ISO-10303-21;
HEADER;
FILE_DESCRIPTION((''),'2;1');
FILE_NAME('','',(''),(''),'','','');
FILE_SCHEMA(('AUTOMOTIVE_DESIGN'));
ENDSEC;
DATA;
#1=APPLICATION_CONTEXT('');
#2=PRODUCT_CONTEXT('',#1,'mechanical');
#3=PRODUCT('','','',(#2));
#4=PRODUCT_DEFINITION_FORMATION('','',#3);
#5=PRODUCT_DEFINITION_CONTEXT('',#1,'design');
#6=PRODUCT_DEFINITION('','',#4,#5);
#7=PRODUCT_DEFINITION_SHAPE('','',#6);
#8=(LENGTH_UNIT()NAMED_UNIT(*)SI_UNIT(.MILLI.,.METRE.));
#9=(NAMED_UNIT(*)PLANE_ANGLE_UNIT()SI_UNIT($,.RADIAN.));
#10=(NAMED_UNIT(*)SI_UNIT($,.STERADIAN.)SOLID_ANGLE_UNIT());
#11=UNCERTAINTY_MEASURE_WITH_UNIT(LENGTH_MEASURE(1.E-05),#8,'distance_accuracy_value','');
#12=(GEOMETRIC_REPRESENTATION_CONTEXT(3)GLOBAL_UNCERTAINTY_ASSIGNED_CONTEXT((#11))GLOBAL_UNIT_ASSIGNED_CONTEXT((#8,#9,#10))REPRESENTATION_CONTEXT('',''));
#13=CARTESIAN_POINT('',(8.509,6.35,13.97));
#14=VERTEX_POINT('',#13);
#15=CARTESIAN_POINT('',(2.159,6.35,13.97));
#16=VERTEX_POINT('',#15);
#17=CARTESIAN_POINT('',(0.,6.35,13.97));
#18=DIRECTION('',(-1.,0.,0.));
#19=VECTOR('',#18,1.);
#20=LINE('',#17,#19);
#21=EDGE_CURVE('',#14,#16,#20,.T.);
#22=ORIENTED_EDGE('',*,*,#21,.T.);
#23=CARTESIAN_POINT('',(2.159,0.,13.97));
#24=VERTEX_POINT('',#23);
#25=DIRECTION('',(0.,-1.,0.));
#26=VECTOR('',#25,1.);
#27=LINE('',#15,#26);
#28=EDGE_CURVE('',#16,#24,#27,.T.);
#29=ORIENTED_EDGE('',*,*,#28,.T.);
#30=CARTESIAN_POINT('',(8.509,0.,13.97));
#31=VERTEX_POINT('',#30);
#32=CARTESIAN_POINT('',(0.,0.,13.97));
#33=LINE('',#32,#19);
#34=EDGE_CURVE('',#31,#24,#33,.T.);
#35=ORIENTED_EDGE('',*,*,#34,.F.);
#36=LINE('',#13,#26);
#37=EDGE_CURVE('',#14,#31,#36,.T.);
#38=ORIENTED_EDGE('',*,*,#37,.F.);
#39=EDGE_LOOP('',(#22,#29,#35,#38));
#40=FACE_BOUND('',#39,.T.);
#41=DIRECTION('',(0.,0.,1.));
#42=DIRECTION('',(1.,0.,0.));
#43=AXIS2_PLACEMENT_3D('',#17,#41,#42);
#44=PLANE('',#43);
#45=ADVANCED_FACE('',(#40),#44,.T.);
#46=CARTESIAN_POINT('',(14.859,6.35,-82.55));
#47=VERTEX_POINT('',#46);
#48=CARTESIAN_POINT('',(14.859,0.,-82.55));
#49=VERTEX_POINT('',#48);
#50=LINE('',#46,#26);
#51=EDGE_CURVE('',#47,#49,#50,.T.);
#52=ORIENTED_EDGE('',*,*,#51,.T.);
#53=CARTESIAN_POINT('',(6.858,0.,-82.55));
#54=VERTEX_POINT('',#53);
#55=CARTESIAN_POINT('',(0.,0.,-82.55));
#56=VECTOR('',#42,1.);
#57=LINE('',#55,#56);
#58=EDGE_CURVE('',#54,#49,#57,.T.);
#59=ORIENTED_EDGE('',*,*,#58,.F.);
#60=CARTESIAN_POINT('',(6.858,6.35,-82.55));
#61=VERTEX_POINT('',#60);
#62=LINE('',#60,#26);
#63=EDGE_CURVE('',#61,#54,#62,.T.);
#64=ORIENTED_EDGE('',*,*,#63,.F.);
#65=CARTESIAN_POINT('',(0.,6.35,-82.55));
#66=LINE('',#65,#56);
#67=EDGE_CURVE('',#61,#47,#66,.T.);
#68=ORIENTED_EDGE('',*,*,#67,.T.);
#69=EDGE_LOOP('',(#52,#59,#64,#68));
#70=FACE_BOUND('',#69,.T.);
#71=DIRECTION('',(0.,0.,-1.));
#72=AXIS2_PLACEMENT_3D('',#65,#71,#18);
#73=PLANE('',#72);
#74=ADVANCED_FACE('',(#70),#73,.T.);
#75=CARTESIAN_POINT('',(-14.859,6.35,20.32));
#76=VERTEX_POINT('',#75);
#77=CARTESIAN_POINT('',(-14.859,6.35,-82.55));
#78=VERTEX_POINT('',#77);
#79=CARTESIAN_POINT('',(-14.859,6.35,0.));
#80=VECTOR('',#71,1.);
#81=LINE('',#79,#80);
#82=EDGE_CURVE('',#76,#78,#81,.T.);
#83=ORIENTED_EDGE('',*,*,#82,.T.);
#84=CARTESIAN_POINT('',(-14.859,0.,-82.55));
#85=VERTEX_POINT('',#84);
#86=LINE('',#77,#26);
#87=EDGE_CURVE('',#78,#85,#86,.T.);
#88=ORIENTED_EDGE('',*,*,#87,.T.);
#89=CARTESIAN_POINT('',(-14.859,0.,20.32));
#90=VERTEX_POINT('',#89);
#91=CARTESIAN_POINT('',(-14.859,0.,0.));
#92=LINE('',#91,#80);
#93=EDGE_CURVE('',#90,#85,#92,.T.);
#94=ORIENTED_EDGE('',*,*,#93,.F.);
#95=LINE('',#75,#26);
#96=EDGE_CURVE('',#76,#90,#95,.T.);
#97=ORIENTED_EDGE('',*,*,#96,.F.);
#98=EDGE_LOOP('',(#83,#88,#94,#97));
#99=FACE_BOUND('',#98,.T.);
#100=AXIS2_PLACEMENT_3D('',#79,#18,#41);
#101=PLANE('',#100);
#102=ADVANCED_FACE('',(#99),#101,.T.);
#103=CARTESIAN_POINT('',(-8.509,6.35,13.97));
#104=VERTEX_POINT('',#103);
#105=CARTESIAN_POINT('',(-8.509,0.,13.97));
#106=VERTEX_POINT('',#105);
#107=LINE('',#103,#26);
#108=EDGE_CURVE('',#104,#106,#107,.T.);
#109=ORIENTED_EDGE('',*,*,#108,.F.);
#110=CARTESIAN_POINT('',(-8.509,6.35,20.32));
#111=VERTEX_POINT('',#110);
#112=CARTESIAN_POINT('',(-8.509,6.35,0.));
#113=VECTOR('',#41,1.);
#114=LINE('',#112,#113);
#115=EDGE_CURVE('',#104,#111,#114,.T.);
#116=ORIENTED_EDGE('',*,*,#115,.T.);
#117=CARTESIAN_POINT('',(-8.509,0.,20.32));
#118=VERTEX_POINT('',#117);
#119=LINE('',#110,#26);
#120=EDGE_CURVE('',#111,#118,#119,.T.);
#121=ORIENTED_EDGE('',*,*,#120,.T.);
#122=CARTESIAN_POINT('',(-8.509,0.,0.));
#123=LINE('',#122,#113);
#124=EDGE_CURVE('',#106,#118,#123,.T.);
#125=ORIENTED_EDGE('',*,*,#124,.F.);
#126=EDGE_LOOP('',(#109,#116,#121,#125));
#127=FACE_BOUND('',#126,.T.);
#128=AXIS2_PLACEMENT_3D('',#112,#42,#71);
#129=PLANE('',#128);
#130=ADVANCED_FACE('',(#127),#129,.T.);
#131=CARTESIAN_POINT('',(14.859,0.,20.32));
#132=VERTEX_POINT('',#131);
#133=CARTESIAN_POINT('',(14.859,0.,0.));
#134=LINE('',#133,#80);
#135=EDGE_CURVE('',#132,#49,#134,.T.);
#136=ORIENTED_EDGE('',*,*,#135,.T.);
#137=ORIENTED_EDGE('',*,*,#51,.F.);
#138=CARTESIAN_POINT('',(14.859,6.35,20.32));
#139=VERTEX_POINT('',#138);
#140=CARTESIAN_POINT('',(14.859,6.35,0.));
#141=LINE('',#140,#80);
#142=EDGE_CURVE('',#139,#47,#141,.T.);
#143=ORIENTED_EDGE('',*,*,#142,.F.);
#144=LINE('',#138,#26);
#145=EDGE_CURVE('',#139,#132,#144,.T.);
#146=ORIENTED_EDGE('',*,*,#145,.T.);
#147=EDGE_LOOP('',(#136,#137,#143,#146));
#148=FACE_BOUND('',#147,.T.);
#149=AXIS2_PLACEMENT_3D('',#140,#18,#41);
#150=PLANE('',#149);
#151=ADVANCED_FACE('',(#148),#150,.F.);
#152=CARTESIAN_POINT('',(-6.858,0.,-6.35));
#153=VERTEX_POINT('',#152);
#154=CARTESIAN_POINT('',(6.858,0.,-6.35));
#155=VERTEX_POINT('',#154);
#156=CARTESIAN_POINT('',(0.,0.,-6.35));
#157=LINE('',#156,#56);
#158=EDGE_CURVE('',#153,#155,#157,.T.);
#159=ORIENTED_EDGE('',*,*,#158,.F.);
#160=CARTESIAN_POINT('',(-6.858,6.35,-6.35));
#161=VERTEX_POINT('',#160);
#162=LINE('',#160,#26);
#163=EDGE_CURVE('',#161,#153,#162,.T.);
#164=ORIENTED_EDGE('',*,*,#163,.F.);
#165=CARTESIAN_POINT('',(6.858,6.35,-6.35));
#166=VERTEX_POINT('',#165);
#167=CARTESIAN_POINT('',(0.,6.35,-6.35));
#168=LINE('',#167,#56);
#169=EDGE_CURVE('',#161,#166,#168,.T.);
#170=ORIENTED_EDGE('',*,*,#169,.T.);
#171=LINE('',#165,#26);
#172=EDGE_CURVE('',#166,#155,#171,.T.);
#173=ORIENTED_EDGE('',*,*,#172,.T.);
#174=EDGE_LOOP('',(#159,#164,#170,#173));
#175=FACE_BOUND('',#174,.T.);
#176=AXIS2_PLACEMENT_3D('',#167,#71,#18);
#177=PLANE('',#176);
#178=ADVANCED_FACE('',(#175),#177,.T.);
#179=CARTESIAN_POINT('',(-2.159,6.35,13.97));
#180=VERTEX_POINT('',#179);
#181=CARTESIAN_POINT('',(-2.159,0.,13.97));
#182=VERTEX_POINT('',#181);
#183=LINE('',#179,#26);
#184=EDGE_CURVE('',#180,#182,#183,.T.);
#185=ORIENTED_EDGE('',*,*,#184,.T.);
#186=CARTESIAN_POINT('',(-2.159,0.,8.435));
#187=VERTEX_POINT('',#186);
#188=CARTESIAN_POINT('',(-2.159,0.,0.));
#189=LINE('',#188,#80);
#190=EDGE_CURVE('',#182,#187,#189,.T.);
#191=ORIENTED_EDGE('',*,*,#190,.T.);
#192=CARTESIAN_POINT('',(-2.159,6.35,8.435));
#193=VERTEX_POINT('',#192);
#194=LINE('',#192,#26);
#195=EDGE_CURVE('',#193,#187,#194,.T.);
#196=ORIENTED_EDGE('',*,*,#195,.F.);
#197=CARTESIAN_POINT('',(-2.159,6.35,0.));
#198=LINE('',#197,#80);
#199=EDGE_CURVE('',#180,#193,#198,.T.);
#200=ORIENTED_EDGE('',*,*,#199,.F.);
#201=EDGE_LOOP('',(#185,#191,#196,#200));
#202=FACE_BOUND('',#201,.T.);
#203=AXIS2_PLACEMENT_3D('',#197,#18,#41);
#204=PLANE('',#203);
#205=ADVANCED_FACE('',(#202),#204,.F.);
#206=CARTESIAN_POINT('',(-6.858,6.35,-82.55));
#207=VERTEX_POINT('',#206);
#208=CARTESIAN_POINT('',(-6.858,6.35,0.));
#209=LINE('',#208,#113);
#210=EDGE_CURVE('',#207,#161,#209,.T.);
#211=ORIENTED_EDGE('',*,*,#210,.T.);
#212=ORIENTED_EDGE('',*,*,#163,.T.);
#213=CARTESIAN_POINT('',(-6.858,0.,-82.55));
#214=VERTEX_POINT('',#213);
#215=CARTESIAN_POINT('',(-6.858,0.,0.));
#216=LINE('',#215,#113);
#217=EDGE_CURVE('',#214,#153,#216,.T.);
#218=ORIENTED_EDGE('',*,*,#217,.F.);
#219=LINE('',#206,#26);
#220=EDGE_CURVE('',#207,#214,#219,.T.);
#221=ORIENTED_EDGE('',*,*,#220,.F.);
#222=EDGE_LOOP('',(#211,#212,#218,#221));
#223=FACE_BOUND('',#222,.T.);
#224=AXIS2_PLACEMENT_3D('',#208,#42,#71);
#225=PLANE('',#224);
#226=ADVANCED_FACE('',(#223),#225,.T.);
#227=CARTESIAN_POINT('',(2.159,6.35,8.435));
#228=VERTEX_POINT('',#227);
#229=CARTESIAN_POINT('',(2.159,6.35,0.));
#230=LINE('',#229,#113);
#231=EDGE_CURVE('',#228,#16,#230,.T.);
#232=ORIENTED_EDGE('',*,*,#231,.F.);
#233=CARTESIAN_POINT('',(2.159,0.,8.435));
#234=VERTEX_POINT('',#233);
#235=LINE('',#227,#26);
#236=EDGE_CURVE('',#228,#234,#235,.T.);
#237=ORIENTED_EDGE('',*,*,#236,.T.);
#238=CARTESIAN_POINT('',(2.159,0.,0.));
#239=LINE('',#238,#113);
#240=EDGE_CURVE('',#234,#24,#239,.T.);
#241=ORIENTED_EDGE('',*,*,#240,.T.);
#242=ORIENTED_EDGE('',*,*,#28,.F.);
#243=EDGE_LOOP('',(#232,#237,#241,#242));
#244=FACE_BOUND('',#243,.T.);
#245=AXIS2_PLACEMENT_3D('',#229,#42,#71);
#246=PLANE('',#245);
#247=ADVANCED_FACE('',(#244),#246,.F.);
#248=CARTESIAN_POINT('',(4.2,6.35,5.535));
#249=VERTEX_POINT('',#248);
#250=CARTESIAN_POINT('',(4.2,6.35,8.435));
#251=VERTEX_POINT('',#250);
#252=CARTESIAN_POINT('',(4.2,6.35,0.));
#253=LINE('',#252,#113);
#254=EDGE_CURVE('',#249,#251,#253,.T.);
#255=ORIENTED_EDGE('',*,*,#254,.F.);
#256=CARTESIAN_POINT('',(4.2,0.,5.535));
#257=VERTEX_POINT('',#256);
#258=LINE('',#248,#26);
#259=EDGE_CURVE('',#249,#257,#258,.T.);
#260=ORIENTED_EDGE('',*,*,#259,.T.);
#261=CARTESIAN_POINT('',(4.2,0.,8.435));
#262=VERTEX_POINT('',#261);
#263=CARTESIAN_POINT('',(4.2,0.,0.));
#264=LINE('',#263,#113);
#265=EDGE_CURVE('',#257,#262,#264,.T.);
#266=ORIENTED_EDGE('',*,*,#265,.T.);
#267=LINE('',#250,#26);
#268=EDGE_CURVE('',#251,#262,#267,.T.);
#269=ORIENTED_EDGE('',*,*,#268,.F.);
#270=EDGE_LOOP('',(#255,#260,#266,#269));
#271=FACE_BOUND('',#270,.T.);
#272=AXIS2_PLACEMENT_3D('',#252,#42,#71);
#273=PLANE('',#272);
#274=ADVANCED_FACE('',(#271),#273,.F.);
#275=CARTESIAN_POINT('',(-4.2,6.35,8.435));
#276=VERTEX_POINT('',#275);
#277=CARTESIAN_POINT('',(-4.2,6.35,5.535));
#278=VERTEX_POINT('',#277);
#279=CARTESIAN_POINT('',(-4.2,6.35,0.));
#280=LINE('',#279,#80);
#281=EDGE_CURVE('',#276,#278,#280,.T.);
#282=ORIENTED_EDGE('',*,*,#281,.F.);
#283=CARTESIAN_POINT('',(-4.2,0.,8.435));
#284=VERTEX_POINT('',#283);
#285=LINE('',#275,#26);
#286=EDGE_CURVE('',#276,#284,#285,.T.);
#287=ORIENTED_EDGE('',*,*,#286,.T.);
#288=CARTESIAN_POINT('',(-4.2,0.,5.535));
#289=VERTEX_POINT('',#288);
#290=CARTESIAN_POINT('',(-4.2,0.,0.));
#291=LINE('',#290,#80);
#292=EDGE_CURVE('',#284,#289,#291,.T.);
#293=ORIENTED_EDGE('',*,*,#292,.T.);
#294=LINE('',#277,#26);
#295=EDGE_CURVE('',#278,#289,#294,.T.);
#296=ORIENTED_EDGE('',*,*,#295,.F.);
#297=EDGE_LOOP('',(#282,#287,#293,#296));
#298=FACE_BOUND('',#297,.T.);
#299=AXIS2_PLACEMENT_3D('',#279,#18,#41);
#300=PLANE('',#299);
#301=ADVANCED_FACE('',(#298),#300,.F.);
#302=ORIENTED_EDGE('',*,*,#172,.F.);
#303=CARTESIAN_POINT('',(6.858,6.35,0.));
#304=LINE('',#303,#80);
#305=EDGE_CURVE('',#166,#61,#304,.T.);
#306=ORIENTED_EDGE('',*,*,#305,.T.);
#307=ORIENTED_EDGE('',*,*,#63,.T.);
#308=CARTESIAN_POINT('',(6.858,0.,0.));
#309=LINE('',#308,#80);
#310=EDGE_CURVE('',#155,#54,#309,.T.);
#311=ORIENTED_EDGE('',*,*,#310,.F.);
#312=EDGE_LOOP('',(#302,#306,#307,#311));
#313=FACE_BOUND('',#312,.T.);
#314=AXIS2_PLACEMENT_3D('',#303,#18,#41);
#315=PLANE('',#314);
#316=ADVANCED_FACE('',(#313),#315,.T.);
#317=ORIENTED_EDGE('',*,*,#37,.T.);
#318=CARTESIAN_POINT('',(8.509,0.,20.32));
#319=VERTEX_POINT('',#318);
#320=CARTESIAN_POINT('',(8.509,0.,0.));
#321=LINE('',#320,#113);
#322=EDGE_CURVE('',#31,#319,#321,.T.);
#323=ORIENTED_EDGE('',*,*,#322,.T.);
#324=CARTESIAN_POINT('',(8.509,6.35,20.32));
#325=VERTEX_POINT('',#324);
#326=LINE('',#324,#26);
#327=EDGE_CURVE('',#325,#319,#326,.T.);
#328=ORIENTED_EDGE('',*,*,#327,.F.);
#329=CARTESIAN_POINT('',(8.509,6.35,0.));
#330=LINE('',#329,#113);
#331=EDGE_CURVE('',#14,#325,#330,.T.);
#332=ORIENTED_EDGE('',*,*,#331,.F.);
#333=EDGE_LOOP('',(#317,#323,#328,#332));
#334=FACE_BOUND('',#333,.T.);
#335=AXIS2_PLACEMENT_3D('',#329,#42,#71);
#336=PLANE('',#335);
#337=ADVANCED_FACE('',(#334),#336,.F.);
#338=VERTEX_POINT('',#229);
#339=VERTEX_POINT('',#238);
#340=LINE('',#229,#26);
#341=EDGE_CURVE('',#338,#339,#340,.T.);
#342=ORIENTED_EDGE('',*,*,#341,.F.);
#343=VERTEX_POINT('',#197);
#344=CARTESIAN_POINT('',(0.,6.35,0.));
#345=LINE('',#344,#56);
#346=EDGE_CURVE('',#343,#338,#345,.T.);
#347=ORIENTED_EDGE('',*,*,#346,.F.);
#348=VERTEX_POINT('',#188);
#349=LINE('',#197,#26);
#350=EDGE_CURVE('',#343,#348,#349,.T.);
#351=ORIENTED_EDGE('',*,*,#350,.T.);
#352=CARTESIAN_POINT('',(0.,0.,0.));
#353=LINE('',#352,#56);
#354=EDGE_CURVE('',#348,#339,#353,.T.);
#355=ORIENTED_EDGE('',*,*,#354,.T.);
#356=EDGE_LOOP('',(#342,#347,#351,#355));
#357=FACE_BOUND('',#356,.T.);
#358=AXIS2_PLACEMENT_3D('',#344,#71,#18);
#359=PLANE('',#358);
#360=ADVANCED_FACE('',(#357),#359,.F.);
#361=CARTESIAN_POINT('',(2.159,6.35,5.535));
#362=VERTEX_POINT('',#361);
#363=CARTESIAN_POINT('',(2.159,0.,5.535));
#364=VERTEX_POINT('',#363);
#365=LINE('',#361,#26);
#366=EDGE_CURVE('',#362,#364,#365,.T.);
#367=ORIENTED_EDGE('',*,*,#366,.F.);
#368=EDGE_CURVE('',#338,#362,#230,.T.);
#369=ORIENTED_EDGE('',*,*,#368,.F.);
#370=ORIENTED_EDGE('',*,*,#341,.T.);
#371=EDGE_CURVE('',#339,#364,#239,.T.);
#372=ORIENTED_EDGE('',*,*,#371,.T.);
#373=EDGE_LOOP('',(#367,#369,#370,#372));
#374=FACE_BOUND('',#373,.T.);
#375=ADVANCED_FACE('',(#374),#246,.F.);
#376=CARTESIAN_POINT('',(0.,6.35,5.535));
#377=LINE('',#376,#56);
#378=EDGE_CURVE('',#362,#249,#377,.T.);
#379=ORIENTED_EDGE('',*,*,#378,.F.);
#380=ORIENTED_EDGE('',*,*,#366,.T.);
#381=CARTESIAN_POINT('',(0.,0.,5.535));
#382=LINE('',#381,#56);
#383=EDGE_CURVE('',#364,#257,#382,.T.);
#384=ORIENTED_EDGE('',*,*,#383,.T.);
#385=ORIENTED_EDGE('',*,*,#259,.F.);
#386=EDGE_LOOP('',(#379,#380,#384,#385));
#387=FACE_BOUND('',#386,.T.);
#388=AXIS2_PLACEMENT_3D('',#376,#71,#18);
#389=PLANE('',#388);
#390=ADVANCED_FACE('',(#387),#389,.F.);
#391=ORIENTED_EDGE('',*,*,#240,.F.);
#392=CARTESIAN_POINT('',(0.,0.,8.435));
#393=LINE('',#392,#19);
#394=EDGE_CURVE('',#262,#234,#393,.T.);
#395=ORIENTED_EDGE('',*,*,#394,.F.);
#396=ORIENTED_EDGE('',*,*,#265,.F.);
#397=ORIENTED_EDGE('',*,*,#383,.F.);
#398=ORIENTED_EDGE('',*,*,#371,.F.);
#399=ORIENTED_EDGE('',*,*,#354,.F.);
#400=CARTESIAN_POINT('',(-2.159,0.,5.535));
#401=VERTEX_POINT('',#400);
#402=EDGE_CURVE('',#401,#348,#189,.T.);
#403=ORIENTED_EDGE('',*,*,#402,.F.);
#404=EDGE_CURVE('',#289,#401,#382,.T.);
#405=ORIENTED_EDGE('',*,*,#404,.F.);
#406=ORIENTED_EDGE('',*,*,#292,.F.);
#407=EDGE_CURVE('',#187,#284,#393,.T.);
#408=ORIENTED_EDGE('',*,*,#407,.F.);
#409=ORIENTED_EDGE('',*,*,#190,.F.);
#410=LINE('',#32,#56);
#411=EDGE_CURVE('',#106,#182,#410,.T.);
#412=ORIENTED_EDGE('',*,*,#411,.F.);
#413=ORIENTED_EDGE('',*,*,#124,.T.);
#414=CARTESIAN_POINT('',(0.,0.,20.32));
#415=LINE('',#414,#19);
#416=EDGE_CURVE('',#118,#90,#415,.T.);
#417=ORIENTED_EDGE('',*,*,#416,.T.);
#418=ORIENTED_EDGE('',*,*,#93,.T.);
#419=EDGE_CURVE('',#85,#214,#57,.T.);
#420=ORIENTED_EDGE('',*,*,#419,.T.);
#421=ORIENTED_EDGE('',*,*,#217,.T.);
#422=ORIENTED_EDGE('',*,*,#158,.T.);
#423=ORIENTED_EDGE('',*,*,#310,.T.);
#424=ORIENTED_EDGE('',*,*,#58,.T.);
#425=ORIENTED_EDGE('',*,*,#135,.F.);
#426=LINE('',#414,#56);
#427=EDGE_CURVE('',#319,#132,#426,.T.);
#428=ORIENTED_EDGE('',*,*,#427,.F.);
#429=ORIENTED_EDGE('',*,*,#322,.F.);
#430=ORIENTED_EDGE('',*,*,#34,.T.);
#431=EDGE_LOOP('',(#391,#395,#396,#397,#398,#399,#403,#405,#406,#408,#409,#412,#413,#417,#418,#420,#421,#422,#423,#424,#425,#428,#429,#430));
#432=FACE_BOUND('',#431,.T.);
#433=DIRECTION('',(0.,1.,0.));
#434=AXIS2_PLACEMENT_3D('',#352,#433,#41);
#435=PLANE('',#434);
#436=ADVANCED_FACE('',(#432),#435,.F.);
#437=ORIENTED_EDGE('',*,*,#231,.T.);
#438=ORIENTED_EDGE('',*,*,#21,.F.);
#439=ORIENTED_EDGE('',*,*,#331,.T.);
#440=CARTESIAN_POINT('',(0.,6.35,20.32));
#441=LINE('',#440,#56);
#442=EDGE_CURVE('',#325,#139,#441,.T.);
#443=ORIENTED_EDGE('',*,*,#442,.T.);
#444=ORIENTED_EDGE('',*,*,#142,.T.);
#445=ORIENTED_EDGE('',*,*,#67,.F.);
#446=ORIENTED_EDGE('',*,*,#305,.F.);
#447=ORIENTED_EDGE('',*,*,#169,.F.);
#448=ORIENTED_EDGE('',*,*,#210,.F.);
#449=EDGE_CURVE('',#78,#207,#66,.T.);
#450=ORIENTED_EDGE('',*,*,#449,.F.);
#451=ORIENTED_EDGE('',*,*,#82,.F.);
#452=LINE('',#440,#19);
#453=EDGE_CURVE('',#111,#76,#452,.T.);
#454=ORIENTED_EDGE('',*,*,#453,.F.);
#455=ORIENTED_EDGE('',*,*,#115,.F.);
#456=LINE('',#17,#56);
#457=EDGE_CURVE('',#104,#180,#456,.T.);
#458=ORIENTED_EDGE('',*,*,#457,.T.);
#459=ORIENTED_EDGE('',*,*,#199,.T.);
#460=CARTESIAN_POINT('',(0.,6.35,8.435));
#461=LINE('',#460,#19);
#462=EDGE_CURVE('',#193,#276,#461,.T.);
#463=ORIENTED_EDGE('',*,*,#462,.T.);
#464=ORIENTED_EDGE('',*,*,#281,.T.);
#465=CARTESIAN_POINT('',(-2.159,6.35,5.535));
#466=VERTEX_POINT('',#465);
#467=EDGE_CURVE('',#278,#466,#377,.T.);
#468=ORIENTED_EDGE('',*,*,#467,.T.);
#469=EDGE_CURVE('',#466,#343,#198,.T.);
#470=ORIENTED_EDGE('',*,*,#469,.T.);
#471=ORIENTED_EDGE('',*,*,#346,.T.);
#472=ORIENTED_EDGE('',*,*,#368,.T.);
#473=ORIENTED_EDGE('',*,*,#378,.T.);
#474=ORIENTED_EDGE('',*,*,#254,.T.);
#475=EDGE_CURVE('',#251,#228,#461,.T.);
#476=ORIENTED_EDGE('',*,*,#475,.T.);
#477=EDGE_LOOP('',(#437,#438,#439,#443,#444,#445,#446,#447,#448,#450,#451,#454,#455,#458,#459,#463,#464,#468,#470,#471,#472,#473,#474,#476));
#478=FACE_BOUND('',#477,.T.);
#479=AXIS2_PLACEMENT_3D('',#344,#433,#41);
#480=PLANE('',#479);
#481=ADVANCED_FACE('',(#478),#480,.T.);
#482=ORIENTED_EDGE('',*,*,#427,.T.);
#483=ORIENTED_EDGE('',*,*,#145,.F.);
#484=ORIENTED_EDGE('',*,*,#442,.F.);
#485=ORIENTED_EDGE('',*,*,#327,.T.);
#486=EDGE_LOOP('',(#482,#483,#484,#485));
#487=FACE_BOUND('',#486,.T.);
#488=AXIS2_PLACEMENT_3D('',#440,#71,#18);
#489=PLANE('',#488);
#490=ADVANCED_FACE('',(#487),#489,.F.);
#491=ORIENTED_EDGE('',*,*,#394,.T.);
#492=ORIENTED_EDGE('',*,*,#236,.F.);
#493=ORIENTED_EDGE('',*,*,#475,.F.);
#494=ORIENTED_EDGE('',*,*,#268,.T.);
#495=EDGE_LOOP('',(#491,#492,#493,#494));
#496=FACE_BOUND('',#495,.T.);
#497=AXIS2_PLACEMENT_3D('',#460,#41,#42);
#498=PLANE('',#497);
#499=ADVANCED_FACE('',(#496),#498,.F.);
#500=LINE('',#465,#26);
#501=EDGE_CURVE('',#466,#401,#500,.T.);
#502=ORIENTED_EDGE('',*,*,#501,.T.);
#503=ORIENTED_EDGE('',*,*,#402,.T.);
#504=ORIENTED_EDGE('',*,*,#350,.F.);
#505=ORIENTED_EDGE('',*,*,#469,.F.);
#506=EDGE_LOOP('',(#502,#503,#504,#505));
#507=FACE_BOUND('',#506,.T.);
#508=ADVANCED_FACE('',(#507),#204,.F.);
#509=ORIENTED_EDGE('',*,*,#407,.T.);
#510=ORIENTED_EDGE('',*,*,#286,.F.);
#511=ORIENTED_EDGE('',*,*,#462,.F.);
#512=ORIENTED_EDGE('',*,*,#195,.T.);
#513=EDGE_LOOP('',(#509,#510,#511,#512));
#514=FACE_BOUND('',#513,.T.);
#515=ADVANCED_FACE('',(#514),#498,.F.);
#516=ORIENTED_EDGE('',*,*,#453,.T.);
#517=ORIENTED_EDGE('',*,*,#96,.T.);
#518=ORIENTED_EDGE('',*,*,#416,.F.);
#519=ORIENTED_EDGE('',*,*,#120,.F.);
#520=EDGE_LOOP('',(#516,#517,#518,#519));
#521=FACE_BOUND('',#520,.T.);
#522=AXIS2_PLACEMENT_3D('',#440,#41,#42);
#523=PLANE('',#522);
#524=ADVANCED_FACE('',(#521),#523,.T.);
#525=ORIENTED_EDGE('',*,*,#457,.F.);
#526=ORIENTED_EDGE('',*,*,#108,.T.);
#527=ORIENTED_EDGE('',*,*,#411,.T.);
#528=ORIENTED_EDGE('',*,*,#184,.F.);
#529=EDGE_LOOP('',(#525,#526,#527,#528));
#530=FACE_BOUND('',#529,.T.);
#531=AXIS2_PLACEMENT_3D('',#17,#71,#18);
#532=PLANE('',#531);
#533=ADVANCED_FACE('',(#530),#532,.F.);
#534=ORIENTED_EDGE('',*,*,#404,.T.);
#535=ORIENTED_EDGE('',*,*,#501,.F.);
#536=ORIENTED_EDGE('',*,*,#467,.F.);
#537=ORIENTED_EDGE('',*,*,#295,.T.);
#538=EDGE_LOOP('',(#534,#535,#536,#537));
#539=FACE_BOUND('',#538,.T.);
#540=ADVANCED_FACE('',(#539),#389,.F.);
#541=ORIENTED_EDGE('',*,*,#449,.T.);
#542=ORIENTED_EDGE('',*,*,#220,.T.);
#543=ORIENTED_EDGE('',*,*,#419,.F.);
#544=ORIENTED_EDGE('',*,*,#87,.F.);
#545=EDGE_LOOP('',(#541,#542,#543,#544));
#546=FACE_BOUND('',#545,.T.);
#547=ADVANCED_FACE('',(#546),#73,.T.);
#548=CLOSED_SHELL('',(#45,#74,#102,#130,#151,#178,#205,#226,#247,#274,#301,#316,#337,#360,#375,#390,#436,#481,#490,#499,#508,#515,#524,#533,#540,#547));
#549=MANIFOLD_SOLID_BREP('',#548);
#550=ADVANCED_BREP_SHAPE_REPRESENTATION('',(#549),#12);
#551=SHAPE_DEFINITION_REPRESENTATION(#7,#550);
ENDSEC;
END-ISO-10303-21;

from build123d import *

# Parameters (mm, degrees)
BOSS_EXTRUDE1_DEPTH = 6.35


with BuildPart() as part:
    # Sketch1 → Boss-Extrude1 (new body)
    with BuildSketch(Plane(origin=(0, 0, 0), x_dir=(1, 0, 0), z_dir=(0, 1, 0))):
        Polygon((-6.858, 6.35), (-6.858, 82.55), (-14.859, 82.55), (-14.859, -13.97), (-14.859, -20.32), (-8.509, -20.32), (-8.509, -13.97), (-2.159, -13.97), (-2.159, -8.435000021), (-4.199999982, -8.435000021), (-4.199999982, -5.534999979), (-2.159, -5.534999979), (-2.159, 0), (2.159, 0), (2.159, -5.534999979), (4.199999982, -5.534999979), (4.199999982, -8.435000021), (2.159, -8.435000021), (2.159, -13.97), (8.509, -13.97), (8.509, -20.32), (14.859, -20.32), (14.859, -13.97), (14.859, 82.55), (6.858, 82.55), (6.858, 6.35), align=None)
    extrude(amount=BOSS_EXTRUDE1_DEPTH)


solid = part.part
